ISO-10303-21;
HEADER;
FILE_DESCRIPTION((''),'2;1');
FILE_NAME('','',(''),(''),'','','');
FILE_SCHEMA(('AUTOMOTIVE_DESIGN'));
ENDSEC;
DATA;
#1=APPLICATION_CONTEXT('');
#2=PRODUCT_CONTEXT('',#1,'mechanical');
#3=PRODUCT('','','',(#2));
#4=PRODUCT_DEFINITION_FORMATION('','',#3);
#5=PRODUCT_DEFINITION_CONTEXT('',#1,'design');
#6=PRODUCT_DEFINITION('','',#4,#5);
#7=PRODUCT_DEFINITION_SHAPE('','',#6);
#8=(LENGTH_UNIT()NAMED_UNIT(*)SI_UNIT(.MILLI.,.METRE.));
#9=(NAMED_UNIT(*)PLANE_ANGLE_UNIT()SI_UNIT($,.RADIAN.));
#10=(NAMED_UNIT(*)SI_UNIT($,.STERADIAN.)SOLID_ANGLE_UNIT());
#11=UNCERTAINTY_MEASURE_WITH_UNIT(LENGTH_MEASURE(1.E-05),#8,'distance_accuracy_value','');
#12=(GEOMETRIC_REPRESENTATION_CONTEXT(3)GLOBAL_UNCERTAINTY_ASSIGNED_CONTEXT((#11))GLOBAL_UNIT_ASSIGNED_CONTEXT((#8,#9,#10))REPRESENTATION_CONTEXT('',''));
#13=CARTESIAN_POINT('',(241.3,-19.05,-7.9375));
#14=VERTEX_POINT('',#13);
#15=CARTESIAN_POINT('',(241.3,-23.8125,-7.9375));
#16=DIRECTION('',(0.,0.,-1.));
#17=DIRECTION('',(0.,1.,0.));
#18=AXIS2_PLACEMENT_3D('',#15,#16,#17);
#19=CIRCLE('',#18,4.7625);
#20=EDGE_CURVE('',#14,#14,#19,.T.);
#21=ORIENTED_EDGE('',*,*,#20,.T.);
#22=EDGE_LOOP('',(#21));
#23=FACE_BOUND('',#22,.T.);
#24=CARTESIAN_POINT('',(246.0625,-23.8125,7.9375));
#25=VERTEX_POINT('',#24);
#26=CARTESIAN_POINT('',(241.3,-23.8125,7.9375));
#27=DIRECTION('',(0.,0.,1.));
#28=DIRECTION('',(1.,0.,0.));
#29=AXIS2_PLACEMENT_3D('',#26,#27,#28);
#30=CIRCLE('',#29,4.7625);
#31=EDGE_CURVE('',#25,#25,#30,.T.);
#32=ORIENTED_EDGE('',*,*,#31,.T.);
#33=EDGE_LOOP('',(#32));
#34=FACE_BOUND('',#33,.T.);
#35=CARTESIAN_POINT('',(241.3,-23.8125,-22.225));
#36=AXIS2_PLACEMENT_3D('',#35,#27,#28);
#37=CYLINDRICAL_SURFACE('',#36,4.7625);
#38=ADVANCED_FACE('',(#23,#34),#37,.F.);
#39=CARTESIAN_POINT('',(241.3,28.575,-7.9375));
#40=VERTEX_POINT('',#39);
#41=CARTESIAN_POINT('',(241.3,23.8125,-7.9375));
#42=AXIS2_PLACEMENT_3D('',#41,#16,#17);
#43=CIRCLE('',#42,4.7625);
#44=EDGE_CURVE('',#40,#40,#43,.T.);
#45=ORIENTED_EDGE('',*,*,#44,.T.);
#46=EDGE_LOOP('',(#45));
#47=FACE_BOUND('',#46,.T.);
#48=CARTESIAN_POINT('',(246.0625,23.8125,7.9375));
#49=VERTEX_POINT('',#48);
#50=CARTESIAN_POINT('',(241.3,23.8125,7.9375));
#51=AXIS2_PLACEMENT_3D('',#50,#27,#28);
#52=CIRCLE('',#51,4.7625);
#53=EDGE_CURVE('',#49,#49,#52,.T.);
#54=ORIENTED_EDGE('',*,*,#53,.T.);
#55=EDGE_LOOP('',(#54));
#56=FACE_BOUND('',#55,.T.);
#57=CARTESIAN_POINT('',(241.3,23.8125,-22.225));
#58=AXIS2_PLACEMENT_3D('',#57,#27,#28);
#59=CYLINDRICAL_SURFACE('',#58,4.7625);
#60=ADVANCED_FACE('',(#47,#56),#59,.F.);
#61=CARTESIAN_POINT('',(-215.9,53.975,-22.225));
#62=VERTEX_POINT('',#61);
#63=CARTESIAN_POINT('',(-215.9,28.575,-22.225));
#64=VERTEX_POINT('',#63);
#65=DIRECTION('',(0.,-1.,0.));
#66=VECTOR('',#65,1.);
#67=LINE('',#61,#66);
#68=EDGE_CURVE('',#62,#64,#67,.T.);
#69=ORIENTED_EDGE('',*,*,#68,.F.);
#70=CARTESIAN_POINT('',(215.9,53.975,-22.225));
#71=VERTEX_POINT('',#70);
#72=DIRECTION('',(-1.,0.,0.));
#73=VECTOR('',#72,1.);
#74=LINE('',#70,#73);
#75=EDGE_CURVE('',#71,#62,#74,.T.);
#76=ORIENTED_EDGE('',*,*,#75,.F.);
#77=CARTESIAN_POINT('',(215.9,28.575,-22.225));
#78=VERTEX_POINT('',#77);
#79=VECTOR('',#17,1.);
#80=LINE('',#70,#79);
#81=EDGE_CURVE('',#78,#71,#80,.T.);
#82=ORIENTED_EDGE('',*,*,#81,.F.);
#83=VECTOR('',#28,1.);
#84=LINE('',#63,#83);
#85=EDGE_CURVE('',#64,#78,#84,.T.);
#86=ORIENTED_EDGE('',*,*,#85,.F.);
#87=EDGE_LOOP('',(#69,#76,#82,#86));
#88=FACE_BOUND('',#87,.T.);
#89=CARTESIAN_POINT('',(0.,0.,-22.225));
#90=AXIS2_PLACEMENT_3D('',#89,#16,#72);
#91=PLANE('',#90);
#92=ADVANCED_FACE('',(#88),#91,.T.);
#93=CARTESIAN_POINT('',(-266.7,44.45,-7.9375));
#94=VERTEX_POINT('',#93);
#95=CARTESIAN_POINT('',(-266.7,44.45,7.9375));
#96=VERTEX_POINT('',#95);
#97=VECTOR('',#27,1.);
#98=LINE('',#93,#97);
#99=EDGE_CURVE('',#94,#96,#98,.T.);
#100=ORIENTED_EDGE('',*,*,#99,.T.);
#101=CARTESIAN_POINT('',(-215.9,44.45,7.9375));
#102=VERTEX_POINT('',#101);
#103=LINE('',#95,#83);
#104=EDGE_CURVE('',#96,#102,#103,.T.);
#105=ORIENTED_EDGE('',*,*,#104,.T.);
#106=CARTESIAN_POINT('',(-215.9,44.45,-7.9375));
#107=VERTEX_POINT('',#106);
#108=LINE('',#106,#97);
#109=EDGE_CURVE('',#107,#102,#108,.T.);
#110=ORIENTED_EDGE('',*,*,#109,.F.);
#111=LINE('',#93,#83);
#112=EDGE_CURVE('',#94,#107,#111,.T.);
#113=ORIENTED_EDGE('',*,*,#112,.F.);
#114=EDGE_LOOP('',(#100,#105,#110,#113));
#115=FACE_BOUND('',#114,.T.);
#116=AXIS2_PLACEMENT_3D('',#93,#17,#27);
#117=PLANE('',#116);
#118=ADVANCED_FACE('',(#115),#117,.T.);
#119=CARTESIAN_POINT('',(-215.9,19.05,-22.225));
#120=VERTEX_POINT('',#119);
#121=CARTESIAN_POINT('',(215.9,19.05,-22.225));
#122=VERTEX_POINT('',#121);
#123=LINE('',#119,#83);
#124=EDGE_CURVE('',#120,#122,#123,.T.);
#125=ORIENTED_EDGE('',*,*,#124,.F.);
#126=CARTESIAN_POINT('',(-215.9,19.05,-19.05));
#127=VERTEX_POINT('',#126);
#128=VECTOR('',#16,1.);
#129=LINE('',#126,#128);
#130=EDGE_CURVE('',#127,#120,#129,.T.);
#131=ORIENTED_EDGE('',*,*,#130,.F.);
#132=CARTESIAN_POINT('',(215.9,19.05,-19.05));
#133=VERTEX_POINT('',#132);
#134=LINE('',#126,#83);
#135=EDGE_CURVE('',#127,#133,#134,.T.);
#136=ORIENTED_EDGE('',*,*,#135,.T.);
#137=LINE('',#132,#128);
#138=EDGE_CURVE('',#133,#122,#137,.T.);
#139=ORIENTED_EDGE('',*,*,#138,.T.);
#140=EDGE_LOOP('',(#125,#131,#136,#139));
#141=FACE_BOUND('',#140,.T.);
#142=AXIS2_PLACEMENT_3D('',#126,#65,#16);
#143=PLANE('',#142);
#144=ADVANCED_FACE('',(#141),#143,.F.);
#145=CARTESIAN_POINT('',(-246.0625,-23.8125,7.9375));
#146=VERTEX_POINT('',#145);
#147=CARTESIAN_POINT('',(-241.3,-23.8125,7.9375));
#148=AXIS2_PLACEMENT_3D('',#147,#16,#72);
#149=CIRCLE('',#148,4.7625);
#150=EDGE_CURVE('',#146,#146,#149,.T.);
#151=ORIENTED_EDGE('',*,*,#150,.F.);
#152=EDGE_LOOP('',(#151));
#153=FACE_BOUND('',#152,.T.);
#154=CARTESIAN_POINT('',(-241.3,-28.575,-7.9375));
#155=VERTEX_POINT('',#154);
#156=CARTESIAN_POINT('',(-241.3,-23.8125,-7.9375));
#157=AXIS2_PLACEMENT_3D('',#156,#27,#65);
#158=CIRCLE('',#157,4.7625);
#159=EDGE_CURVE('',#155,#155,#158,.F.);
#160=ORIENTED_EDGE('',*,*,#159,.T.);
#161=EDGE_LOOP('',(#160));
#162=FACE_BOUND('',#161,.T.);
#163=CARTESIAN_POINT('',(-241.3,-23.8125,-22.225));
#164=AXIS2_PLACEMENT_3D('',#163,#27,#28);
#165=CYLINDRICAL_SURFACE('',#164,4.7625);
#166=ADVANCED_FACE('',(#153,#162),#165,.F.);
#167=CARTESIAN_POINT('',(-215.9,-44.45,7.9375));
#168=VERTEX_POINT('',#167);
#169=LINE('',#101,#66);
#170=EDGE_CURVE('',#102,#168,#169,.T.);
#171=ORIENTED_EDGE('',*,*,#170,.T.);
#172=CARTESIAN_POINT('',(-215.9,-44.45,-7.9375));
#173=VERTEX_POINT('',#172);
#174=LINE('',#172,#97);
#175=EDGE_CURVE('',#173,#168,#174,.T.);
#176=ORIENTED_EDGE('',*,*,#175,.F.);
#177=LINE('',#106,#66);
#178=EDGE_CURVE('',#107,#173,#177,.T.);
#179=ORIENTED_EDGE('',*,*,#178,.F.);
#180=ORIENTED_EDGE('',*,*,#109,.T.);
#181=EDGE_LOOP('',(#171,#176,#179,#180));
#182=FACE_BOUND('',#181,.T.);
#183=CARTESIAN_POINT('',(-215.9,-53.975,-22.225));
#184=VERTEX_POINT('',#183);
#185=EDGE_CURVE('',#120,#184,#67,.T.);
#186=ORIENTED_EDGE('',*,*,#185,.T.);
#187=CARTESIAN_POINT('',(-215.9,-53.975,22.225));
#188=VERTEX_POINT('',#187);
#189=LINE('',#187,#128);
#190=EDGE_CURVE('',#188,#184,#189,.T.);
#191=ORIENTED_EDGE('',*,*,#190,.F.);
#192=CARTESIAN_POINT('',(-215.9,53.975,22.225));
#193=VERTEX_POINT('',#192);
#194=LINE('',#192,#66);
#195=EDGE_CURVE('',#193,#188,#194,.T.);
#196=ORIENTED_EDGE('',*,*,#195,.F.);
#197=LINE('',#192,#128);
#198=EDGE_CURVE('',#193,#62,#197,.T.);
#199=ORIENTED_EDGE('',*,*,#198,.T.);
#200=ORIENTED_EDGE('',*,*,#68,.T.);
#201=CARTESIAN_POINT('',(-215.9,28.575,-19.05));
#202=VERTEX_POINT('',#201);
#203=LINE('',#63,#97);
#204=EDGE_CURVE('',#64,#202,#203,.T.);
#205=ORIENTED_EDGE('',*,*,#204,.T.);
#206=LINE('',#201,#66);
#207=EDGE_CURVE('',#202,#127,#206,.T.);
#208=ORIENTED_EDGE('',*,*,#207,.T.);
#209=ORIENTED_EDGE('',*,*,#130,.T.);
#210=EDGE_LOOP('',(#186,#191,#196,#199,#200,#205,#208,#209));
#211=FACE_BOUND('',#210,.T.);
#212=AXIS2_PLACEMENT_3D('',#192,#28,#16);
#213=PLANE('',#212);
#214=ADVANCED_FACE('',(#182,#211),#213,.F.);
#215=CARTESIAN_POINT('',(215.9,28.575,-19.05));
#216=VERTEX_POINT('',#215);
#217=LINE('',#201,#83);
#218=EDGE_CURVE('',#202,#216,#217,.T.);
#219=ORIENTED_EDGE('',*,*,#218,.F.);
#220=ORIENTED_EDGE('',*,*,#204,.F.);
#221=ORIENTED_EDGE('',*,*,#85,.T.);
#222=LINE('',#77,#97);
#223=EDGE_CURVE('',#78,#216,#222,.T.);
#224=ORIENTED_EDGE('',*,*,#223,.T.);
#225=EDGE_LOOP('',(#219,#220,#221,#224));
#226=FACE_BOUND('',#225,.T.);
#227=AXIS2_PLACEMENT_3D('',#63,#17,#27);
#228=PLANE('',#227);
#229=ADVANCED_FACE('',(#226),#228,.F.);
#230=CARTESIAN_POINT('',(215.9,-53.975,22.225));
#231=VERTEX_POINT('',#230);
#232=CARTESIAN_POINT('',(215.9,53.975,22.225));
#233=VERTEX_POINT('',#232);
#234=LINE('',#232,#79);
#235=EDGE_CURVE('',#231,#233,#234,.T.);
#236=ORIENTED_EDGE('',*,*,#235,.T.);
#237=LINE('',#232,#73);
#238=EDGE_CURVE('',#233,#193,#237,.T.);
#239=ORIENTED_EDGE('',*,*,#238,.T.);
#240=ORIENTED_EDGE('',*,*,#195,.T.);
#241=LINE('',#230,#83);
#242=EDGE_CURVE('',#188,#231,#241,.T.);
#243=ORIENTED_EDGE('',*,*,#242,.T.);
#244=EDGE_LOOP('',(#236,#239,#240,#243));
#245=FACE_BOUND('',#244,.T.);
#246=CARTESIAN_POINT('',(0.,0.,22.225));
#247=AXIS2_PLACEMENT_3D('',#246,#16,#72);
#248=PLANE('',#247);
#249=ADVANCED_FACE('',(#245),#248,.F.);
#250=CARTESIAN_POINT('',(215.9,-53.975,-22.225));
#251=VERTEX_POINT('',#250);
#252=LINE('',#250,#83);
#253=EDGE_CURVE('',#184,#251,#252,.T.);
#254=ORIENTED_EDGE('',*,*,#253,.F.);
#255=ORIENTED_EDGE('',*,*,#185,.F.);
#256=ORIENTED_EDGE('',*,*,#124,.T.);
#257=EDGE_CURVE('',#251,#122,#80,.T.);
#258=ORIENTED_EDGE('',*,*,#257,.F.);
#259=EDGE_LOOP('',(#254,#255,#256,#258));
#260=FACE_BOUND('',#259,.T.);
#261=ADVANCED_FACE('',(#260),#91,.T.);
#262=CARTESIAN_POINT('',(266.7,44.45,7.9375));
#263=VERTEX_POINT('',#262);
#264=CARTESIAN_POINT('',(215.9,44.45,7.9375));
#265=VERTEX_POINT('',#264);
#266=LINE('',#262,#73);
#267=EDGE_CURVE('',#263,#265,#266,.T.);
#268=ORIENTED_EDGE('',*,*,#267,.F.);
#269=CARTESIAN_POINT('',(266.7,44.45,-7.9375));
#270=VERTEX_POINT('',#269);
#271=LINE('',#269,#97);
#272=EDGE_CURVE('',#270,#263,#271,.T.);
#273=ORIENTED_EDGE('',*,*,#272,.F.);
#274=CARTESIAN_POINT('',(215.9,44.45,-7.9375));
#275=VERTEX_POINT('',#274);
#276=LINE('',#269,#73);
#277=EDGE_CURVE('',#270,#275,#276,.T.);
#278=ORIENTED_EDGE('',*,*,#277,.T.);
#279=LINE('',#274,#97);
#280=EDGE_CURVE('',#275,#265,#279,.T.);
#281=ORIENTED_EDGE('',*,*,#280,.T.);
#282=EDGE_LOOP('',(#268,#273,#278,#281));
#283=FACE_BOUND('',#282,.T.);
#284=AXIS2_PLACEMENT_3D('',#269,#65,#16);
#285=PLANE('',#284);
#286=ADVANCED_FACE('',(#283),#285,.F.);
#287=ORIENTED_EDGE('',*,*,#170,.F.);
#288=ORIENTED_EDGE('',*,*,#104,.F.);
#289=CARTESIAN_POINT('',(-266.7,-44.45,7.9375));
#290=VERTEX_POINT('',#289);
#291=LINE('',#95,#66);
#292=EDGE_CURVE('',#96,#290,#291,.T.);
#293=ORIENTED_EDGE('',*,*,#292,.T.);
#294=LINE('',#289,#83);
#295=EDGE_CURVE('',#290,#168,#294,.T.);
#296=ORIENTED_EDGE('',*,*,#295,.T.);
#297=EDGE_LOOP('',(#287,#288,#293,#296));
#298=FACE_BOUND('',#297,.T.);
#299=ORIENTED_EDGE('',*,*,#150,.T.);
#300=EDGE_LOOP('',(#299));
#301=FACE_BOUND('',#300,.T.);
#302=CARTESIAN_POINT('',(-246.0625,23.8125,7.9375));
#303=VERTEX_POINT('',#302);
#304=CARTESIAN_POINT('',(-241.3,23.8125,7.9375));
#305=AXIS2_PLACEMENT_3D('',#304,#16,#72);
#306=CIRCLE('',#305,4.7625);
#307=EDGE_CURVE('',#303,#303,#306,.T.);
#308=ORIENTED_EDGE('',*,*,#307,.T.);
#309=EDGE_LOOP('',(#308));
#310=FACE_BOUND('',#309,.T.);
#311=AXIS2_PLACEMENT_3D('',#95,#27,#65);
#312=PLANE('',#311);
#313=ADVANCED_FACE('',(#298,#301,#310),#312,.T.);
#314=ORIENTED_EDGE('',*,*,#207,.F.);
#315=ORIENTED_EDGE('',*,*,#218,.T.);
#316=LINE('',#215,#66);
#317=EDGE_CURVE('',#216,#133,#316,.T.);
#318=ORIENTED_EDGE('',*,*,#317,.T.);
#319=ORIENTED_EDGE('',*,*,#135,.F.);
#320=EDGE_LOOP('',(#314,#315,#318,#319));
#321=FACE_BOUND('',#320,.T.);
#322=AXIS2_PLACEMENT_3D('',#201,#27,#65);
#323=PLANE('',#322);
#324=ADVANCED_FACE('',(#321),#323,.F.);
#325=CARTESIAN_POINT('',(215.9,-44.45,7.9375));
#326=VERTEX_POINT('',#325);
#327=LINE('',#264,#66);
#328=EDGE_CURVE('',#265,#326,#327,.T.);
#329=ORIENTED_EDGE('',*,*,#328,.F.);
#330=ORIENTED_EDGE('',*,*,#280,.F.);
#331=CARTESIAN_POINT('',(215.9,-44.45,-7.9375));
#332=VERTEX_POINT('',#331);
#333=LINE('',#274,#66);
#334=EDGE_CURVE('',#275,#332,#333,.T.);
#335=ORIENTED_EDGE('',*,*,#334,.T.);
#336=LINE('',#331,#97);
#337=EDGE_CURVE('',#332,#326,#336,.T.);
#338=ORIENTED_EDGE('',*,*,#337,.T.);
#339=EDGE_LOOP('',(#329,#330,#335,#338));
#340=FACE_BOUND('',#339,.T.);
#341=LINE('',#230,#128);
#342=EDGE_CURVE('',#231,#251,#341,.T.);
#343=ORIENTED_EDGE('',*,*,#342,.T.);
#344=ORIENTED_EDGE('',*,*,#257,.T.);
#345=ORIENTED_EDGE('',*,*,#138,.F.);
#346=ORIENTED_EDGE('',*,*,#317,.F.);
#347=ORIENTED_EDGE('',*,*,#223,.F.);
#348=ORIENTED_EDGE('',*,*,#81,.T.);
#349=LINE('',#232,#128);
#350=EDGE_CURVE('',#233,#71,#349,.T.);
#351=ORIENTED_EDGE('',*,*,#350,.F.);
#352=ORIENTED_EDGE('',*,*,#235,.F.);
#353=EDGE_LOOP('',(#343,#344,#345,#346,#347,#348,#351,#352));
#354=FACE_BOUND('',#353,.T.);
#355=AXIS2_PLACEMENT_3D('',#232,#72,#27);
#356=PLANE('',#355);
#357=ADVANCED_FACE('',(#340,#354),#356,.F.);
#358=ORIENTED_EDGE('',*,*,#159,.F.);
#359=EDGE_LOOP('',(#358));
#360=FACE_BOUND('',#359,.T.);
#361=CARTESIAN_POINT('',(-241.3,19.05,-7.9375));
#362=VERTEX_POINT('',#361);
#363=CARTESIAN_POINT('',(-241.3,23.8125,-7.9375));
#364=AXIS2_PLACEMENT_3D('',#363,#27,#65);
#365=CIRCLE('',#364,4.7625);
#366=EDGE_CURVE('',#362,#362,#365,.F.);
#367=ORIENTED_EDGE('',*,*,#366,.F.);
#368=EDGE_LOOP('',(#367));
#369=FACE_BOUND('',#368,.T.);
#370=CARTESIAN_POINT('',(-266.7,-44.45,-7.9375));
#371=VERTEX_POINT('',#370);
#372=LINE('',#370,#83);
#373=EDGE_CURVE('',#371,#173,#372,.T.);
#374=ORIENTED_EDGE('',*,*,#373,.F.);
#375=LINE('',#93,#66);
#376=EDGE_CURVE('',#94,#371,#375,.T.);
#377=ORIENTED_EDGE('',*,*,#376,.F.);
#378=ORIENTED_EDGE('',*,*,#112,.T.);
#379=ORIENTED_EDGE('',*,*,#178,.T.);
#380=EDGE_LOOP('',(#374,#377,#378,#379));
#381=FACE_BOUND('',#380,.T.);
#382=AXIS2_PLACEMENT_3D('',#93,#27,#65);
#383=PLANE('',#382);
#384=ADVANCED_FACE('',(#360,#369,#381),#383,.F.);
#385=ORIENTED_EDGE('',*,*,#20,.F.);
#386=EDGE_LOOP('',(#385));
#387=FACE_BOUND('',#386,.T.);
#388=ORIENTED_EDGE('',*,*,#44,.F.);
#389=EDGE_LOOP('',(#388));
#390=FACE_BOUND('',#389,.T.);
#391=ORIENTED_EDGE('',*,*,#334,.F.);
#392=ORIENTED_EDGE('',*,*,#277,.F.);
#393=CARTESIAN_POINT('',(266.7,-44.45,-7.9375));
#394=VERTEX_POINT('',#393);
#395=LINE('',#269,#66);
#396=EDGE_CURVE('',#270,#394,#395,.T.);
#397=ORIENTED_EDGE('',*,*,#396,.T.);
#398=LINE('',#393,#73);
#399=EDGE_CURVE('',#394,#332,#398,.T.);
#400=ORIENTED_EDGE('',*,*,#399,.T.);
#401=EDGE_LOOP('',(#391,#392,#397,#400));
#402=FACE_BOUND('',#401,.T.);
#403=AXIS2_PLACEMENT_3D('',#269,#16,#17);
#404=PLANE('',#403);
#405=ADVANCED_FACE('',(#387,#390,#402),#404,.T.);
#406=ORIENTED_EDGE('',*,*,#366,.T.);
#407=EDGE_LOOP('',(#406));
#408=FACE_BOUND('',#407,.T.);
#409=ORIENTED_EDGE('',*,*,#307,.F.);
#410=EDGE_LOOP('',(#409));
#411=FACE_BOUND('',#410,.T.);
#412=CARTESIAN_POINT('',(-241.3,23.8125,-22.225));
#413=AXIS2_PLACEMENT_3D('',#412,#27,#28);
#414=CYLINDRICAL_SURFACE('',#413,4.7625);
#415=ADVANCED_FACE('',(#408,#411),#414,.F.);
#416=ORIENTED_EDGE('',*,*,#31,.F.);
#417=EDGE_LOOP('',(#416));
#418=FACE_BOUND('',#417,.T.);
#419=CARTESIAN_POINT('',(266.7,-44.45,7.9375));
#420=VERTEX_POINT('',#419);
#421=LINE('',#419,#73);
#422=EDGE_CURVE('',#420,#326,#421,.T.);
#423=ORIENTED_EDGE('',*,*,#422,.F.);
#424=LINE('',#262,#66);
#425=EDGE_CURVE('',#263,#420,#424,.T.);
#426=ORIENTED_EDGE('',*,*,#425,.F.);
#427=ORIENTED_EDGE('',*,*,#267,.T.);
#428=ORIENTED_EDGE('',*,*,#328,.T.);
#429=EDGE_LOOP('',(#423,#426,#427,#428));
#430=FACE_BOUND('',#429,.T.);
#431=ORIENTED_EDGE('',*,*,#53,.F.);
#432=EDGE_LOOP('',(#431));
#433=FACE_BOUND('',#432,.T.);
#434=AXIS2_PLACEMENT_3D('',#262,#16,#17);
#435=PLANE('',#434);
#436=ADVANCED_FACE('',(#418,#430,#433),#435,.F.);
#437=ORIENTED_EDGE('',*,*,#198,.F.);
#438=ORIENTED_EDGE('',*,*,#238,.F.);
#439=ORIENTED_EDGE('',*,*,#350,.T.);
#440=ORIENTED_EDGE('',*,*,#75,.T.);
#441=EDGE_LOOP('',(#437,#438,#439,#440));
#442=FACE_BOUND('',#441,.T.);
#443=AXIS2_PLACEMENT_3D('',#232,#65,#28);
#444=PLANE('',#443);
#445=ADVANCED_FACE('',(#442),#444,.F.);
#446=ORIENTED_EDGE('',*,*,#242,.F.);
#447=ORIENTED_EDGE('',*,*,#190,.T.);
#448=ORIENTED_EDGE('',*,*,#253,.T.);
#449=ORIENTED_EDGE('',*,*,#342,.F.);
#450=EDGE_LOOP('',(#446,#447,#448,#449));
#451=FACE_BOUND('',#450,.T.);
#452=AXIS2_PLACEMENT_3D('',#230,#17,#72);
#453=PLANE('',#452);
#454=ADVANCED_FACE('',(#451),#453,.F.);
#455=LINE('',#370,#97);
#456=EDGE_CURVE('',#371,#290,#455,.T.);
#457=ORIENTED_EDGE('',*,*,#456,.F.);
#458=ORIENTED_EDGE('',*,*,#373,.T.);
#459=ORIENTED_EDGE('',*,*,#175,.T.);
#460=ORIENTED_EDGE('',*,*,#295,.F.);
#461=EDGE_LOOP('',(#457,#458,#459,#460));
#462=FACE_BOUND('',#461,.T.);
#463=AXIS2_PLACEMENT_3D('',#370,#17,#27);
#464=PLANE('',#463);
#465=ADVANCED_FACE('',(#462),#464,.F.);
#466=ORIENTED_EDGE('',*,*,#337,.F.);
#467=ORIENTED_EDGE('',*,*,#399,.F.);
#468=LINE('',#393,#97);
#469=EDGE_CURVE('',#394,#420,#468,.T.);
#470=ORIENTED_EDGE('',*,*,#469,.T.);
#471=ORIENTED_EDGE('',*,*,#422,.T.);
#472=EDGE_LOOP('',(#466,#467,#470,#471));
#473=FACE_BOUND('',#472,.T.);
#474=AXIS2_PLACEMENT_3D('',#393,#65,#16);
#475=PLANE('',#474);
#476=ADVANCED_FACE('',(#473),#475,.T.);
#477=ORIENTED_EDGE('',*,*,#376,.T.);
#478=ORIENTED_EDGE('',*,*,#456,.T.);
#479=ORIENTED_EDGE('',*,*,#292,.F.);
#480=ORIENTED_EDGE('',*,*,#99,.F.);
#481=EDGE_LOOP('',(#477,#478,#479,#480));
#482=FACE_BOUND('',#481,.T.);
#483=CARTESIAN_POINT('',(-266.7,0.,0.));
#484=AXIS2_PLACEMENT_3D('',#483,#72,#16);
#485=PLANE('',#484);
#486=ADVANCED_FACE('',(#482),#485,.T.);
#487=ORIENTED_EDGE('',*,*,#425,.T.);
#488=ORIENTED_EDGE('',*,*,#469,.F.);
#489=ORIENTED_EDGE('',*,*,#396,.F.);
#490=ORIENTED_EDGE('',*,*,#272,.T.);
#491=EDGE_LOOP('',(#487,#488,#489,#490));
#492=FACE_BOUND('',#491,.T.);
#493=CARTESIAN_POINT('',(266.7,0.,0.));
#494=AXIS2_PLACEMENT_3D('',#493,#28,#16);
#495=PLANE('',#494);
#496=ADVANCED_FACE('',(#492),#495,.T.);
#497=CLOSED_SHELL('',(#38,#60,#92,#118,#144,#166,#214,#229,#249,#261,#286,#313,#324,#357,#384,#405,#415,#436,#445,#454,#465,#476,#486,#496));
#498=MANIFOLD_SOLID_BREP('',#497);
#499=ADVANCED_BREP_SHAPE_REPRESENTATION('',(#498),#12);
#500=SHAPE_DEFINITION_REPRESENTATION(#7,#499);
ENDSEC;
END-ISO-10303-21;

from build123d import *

# Parameters (mm, degrees)
SKETCH1_W           = 431.8
SKETCH1_H           = 107.95
BOSS_EXTRUDE1_DEPTH = 22.225
SKETCH2_W           = 15.875
SKETCH2_H           = 88.9
BOSS_EXTRUDE2_DEPTH = 50.8
SKETCH3_R           = 4.7625
CUT_EXTRUDE1_DEPTH  = 274.773568905
SKETCH4_W           = 3.175
SKETCH4_H           = 9.525
CUT_EXTRUDE2_DEPTH  = 436.727542451


with BuildPart() as part:
    # Sketch1 → Boss-Extrude1 (new, symmetric)
    with BuildSketch(Plane.XY):
        Rectangle(SKETCH1_W, SKETCH1_H)
    extrude(amount=BOSS_EXTRUDE1_DEPTH, both=True)

    # Sketch2 → Boss-Extrude2 (add)
    with BuildSketch(Plane(origin=(215.9, 0, 0), x_dir=(0, 0, -1), z_dir=(1, 0, 0))):
        Rectangle(SKETCH2_W, SKETCH2_H)
    boss_extrude2 = extrude(amount=BOSS_EXTRUDE2_DEPTH)

    # Sketch3 → Cut-Extrude1 (cut, through all)
    with BuildSketch(Plane.XY.offset(7.9375)):
        with Locations((241.3, 23.8125)):
            Circle(SKETCH3_R)
        with Locations((241.3, -23.8125)):
            Circle(SKETCH3_R)
    cut_extrude1 = extrude(amount=-CUT_EXTRUDE1_DEPTH, mode=Mode.SUBTRACT)

    # Sketch4 → Cut-Extrude2 (cut, through all)
    with BuildSketch(Plane(origin=(215.9, 0, 0), x_dir=(0, 0, -1), z_dir=(1, 0, 0))):
        with Locations((20.6375, 23.8125)):
            Rectangle(SKETCH4_W, SKETCH4_H)
    extrude(amount=-CUT_EXTRUDE2_DEPTH, mode=Mode.SUBTRACT)

    # Mirror1: Boss-Extrude2, Cut-Extrude1 across plane
    add(boss_extrude2.mirror(Plane(origin=(0, 0, 0), x_dir=(0, 0, 1), z_dir=(1, 0, 0))))
    add(cut_extrude1.mirror(Plane(origin=(0, 0, 0), x_dir=(0, 0, 1), z_dir=(1, 0, 0))), mode=Mode.SUBTRACT)


solid = part.part
